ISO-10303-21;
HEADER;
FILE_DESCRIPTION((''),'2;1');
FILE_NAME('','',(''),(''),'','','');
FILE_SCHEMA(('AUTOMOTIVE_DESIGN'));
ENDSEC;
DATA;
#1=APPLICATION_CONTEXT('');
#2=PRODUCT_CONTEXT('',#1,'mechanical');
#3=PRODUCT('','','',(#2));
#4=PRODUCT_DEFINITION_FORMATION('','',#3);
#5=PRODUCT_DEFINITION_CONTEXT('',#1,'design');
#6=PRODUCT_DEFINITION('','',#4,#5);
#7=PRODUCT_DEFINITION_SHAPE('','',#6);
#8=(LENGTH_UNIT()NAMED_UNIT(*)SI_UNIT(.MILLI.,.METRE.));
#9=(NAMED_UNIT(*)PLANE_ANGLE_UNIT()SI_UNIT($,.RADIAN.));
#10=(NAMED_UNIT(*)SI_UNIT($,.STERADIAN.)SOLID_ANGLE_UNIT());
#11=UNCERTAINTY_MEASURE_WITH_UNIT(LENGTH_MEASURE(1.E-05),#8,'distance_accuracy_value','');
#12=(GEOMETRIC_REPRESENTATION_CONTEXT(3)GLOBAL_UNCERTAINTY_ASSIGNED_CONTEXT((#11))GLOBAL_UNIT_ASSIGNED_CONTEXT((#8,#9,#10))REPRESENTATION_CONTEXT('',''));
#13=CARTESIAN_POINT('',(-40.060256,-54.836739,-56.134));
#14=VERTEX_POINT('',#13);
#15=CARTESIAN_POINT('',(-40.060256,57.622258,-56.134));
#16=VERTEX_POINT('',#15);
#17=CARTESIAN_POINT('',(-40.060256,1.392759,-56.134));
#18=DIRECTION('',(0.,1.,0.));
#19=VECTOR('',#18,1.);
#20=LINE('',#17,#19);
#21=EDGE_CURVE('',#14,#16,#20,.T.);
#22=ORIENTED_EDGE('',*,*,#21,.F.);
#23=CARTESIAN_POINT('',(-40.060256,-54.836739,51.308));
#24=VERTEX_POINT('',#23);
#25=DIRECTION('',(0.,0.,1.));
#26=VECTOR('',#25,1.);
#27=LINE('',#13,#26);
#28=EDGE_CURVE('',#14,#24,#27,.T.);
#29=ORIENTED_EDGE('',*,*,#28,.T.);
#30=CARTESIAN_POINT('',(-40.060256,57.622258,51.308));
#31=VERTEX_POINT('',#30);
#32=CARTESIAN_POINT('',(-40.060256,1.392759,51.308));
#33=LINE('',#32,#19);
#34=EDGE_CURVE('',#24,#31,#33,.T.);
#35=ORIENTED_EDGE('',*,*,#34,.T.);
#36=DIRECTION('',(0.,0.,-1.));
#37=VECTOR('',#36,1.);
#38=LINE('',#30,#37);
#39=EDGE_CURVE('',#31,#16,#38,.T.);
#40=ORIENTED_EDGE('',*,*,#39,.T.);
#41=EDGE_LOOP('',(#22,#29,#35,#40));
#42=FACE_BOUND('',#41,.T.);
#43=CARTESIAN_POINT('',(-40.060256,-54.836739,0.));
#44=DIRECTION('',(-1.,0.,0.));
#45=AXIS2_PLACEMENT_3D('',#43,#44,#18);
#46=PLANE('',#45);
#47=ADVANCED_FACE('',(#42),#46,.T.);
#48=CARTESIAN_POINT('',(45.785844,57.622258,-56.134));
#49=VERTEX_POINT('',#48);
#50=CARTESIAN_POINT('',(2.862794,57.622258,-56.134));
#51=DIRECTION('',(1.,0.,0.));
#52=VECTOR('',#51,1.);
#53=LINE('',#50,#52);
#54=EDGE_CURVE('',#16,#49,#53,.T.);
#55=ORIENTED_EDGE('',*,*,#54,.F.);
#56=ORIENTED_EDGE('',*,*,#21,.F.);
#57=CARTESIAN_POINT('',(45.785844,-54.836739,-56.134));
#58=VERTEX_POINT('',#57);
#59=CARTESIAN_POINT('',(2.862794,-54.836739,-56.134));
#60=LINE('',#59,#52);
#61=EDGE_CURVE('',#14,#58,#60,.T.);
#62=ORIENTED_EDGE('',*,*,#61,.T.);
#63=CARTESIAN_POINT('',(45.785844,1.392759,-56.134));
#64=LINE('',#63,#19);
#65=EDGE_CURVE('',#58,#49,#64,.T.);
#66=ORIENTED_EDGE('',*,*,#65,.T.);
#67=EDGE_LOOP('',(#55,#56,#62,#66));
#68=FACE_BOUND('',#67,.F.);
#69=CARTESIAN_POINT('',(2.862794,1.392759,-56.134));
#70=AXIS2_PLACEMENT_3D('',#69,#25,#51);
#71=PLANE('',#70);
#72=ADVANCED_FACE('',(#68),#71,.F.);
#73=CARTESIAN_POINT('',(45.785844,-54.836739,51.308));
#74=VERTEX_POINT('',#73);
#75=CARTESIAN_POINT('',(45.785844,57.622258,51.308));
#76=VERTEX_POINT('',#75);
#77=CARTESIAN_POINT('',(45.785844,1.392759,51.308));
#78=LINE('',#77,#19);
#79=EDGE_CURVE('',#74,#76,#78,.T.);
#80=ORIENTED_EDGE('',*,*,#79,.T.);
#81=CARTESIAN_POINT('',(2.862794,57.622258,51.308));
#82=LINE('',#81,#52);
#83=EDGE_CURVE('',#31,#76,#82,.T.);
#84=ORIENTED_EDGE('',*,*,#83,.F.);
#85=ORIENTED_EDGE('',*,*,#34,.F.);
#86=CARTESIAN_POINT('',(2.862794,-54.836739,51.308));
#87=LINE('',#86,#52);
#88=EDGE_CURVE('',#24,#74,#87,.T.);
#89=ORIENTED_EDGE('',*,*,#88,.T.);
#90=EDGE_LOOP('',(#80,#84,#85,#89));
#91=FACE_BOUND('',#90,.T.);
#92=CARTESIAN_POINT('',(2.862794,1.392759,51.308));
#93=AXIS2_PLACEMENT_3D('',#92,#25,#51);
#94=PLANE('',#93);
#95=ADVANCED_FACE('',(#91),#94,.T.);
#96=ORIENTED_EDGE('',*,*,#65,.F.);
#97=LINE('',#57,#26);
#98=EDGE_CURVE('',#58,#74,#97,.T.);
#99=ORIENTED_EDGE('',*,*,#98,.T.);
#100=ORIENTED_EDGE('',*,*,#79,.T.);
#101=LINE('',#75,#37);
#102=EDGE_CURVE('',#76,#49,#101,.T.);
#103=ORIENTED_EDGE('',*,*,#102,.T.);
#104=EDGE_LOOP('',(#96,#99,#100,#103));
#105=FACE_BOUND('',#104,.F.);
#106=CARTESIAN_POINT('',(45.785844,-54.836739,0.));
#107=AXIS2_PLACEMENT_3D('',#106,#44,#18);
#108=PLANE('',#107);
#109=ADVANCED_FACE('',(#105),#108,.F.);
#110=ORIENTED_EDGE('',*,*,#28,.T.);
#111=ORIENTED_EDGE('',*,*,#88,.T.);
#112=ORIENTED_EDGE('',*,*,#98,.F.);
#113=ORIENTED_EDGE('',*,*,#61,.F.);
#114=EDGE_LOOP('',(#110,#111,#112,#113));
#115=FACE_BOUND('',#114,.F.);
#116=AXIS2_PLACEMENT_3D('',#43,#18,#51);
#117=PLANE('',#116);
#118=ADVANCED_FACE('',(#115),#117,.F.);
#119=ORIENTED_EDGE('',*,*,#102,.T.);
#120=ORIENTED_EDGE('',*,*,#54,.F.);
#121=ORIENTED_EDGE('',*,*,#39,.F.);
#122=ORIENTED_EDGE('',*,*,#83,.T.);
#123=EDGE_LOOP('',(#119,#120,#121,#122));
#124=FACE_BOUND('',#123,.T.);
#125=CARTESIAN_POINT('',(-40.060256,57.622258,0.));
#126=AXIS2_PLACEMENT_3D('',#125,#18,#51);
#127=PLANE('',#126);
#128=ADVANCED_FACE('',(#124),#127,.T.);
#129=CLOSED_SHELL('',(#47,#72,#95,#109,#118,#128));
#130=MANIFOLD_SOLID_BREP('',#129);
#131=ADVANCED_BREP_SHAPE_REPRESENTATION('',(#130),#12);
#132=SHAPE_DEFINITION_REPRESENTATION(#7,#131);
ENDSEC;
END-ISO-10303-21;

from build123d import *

# Parameters (mm, degrees)
F0_W          = 85.8461000025
F0_H          = 112.4589964747
F1_DEPTH      = 56.134
F1_DEPTH_BACK = 51.308


with BuildPart() as f1:
    # F0 (on Top) → F1 (new body, two sides)
    with BuildSketch(Plane.XY) as f1_sk:
        with Locations((2.8627943248, 1.3927593827)):
            Rectangle(F0_W, F0_H)
    extrude(amount=-F1_DEPTH)
    extrude(f1_sk.sketch, amount=F1_DEPTH_BACK)


solid = f1.part
